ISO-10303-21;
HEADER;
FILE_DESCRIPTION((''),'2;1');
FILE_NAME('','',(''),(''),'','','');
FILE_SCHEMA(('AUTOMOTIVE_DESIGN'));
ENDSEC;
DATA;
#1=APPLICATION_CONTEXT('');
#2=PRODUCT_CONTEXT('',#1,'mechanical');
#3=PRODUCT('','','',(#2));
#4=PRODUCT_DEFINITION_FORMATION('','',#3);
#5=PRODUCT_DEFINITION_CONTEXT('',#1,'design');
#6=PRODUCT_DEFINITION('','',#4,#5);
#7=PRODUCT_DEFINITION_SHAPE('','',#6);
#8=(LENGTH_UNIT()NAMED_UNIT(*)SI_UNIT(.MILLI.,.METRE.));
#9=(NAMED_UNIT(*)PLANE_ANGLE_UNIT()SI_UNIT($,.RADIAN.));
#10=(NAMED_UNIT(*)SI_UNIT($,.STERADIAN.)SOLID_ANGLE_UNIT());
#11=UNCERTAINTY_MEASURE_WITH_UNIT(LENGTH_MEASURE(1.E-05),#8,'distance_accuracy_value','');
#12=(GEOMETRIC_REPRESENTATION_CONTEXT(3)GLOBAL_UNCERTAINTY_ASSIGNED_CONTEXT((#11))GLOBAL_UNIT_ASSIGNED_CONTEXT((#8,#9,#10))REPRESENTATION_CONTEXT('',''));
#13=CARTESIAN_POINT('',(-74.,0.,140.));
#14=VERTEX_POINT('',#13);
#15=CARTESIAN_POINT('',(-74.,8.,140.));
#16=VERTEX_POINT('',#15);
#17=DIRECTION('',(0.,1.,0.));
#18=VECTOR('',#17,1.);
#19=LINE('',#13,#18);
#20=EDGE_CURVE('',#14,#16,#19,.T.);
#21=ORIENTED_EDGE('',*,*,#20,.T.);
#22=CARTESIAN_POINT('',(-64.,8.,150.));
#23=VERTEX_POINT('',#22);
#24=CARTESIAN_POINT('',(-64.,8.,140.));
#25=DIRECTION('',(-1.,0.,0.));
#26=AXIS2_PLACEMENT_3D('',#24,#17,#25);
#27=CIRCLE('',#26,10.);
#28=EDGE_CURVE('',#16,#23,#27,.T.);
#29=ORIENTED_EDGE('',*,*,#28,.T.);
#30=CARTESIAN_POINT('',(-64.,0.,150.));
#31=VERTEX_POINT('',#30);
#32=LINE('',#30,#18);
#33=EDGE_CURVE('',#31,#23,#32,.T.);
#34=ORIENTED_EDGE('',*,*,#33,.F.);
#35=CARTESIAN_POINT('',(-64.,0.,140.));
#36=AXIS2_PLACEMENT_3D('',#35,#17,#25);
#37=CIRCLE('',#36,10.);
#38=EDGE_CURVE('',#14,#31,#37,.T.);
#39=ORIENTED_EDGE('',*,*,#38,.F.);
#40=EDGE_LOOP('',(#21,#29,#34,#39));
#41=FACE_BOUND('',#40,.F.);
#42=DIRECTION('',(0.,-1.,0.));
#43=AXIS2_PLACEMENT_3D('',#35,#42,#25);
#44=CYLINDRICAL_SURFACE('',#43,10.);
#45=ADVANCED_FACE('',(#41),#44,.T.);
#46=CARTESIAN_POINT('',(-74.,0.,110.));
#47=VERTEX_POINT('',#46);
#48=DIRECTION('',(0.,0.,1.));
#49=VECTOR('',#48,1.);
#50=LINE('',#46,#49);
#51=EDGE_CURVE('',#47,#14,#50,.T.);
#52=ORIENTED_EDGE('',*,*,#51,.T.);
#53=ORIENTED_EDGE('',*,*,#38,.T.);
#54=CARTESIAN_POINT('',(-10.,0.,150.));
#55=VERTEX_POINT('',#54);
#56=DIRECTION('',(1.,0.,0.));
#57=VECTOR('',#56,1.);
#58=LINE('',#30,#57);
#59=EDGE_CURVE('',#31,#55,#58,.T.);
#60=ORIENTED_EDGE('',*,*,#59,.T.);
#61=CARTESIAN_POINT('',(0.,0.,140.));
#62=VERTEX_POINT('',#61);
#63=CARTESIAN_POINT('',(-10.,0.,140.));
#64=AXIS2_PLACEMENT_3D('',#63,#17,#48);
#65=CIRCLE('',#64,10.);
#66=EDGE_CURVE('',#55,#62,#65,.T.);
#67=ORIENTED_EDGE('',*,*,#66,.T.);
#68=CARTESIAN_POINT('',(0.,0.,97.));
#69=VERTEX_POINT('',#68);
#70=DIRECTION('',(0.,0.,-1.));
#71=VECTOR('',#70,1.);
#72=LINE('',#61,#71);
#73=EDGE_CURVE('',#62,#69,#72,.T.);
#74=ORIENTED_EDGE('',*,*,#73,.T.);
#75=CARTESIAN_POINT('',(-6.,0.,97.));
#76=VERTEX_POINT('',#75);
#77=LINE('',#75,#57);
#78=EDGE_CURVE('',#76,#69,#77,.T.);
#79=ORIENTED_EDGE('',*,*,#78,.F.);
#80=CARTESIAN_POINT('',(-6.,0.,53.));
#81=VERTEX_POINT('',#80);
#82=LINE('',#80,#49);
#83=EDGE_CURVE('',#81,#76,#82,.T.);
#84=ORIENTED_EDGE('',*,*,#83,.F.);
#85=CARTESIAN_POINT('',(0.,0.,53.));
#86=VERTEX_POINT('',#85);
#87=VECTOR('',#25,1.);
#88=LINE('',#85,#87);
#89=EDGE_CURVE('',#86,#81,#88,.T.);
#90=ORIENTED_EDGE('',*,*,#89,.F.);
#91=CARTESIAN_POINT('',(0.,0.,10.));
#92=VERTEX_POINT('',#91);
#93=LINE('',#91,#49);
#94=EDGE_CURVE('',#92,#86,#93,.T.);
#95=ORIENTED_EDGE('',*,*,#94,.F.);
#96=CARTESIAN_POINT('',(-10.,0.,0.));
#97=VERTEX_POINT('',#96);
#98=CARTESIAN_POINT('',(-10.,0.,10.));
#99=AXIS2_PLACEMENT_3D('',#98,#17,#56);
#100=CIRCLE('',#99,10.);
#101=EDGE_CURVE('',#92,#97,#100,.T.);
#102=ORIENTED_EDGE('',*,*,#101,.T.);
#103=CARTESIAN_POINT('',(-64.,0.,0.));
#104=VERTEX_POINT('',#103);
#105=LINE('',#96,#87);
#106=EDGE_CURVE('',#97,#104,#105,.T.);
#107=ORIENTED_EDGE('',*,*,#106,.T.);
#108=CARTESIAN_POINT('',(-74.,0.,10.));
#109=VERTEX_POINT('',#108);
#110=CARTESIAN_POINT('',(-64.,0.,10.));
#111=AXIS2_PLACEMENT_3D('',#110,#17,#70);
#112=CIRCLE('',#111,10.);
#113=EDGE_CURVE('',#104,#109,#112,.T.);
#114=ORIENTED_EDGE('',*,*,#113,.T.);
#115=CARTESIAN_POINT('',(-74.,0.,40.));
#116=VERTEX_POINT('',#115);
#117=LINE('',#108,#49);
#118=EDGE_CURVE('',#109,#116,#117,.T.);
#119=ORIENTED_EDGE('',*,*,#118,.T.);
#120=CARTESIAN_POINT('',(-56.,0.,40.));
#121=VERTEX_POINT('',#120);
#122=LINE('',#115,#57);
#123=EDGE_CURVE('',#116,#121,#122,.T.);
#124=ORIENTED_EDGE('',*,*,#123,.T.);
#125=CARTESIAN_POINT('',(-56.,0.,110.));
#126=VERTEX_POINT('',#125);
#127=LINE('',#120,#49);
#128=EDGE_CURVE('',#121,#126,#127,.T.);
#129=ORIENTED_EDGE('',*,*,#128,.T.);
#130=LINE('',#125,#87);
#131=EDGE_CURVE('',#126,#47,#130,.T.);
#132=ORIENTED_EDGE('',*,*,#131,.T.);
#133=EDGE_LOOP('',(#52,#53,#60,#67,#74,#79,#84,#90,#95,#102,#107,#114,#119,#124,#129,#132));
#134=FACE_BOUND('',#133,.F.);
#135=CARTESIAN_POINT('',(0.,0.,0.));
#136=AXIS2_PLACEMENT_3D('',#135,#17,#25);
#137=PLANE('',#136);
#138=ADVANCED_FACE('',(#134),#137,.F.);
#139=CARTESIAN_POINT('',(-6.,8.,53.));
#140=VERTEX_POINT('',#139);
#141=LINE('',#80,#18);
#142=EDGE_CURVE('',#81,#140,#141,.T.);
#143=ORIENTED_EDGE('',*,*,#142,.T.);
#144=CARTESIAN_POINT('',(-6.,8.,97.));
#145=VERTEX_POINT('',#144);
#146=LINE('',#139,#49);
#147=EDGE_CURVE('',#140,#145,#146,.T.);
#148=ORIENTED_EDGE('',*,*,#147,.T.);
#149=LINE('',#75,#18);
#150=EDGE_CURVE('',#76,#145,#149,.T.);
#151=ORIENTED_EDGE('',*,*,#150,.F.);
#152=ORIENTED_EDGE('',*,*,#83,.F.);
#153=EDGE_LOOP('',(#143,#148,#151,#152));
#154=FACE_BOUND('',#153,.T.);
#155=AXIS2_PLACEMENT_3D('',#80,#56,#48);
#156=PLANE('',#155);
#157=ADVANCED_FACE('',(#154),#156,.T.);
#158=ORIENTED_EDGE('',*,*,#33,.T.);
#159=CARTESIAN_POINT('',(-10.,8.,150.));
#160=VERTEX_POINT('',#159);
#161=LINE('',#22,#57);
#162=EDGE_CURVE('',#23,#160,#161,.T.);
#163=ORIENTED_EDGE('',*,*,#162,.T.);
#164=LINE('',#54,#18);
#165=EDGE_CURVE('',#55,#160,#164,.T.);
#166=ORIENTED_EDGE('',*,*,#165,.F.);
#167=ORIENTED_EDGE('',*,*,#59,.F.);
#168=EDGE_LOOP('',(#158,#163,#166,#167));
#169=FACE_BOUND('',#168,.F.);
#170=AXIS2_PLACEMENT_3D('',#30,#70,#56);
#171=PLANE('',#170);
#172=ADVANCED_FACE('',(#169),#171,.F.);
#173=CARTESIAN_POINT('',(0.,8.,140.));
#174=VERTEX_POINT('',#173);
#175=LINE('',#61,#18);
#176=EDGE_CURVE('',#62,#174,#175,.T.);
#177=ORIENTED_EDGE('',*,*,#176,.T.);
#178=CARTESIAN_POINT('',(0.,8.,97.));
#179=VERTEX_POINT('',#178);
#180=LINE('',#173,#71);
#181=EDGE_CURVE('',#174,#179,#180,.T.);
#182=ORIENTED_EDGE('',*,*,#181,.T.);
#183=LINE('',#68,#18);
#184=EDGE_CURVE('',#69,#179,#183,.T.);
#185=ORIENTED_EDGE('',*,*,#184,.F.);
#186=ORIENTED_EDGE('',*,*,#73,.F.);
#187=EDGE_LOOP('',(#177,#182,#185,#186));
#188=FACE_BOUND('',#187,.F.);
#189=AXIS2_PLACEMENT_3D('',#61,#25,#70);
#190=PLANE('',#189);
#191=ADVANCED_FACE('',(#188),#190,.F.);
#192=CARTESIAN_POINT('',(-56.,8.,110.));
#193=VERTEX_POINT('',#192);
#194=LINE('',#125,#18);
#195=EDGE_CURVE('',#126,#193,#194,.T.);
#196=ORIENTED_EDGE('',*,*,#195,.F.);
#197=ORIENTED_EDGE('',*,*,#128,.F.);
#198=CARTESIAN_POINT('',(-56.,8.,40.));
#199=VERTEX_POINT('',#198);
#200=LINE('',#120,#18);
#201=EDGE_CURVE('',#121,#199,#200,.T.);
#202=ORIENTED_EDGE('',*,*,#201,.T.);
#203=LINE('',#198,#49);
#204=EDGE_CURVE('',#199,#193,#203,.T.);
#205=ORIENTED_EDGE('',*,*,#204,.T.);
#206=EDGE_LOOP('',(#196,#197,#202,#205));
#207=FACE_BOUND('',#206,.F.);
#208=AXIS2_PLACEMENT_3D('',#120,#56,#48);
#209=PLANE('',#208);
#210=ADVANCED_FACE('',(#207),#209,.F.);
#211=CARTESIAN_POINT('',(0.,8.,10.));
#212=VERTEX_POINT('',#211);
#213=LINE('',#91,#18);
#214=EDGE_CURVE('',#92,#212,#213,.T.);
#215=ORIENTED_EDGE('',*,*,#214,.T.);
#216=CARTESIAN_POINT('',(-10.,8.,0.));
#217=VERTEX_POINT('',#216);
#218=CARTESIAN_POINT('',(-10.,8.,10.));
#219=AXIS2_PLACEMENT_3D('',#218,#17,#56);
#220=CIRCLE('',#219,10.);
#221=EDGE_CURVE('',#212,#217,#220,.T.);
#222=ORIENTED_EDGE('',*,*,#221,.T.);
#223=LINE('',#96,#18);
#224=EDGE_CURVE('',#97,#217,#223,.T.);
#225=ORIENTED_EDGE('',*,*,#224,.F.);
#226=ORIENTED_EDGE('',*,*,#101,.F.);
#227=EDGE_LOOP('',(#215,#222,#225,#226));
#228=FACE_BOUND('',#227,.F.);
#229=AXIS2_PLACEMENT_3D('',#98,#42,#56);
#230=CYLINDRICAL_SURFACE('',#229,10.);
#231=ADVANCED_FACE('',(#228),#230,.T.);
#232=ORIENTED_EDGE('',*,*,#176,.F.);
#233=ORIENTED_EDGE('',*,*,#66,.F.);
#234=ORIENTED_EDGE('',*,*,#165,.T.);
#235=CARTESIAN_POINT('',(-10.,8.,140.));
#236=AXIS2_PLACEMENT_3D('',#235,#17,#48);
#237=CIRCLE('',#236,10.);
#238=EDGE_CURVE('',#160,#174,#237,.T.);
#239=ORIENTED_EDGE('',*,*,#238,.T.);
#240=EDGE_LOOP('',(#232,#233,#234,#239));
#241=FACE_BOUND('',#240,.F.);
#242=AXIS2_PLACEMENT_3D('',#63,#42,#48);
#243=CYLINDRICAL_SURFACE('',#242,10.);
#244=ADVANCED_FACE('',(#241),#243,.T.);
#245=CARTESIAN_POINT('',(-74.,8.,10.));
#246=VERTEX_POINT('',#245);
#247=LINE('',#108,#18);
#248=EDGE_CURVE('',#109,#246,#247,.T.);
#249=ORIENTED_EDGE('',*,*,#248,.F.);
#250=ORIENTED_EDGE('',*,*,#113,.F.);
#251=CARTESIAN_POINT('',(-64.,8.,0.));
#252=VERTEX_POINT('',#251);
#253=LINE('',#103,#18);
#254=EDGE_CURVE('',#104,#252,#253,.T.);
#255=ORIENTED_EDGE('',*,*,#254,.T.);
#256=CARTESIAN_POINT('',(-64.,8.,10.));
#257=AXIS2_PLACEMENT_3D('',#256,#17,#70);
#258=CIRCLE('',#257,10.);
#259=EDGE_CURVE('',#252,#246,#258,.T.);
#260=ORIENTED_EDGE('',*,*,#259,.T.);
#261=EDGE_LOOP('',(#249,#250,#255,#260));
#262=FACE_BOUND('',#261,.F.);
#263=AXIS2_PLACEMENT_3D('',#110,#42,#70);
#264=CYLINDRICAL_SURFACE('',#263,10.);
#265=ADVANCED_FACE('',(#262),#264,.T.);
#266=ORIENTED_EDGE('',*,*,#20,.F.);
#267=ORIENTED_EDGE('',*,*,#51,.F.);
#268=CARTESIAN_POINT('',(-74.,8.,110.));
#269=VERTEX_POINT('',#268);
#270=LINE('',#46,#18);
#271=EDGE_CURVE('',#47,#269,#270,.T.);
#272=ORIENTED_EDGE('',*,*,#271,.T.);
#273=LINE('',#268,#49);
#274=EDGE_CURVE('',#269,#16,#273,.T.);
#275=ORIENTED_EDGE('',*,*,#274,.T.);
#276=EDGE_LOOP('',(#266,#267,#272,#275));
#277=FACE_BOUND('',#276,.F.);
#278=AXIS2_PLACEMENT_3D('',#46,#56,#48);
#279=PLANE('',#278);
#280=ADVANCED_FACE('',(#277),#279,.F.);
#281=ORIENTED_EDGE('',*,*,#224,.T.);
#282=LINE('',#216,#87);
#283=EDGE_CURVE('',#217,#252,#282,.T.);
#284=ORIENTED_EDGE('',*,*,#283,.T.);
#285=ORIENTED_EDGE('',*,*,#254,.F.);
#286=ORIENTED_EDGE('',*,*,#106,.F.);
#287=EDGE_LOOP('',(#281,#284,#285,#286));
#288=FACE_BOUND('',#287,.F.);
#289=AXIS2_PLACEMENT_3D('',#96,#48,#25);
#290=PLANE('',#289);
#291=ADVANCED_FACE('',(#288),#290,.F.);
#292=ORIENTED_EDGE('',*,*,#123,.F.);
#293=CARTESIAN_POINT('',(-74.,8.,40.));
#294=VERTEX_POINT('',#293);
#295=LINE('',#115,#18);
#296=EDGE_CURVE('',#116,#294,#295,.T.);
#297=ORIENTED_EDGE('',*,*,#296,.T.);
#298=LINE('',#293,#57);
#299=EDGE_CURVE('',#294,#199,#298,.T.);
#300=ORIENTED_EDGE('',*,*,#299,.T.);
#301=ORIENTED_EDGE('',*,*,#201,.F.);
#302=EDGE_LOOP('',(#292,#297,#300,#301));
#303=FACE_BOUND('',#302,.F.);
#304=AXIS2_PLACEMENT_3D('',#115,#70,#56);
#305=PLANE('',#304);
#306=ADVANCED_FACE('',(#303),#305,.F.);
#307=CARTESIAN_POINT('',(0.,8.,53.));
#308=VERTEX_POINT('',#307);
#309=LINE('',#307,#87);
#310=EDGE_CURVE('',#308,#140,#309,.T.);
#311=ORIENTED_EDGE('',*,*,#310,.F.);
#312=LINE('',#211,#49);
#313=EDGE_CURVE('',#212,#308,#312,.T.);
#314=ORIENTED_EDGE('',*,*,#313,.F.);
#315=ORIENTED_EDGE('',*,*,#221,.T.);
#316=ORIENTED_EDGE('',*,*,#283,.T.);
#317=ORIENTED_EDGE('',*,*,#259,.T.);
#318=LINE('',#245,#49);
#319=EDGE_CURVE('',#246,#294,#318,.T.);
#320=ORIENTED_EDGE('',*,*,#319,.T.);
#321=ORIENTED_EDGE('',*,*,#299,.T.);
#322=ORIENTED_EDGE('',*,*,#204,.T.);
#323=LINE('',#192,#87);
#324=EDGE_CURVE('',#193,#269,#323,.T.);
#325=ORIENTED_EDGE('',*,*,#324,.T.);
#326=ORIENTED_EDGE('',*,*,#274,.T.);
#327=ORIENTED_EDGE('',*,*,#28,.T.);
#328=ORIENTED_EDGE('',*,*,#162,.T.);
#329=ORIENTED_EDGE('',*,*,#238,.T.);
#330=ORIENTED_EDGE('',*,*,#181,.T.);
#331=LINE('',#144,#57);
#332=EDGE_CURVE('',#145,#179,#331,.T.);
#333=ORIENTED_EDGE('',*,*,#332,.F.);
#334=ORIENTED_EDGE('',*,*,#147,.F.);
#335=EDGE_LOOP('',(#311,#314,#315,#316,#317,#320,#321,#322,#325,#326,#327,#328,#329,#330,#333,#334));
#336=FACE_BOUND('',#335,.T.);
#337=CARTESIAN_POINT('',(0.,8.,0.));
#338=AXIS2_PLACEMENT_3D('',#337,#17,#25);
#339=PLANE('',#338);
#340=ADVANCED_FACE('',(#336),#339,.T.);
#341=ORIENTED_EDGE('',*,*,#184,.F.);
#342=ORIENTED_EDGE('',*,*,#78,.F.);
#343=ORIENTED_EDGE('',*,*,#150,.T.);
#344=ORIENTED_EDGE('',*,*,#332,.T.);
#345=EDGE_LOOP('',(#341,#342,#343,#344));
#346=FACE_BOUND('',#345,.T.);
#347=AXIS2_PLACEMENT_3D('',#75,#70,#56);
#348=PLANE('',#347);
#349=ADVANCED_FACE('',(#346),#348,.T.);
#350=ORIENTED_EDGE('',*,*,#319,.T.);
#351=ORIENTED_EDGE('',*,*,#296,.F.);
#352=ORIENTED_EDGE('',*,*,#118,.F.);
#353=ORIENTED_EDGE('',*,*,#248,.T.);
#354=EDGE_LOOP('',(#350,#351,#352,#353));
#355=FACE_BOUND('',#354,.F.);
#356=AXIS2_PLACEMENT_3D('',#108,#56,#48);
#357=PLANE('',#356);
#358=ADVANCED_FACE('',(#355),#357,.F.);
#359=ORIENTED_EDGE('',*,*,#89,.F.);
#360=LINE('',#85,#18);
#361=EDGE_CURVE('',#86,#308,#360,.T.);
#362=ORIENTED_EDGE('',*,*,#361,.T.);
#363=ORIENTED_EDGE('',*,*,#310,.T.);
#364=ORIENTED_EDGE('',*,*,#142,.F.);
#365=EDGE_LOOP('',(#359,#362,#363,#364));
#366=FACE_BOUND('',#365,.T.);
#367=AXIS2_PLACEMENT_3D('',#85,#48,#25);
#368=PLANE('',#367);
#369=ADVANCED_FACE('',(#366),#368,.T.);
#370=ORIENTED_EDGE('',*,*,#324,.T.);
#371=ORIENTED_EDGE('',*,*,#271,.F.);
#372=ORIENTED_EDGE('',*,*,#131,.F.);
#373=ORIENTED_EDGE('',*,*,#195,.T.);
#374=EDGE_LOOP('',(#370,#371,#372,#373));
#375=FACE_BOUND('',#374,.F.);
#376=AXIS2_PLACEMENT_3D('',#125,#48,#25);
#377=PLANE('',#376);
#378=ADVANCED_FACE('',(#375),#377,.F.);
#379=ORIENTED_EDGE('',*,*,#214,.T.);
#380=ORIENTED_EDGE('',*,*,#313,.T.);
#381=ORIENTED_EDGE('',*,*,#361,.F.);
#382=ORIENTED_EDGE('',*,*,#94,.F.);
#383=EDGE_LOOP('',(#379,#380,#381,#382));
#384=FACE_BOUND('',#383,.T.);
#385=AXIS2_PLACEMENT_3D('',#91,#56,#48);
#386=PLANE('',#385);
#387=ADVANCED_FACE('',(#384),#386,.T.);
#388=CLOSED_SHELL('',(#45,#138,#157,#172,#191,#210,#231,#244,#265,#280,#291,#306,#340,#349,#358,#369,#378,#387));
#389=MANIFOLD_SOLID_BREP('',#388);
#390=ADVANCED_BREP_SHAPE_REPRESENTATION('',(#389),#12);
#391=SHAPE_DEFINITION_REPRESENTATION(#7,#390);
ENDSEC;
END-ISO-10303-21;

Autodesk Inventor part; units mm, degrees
ref_plane "YZ Plane" through (0, 0, 0) normal (1, 0, 0) x (0, 1, 0)
ref_plane "XZ Plane" through (0, 0, 0) normal (0, 1, 0) x (-1, 0, 0)
ref_plane "XY Plane" through (0, 0, 0) normal (0, 0, 1) x (1, 0, 0)
sketch "Sketch1" plane through (0, 0, 0) normal (0, 1, 0) x (-1, 0, 0)
  line L0 (10, 0) -> (64, 0)
  line L1 (64, 150) -> (10, 150)
  line L2 (0, 10) -> (0, 53)
  line L3 (0, 53) -> (6, 53)
  line L4 (6, 53) -> (6, 97)
  line L5 (6, 97) -> (0, 97)
  line L6 (74, 10) -> (74, 40)
  line L7 (74, 40) -> (56, 40)
  line L8 (56, 40) -> (56, 110)
  line L9 (56, 110) -> (74, 110)
  line L10 (74, 0) -> (74, 40)
  line L11 (74, 110) -> (74, 140)
  line L12 (0, 140) -> (0, 97)
  line L13 (0, 53) -> (0, 0)
  arc A0 (74, 140) -> (64, 150) centre (64, 140) ccw
  arc A1 (10, 150) -> (0, 140) centre (10, 140) ccw
  arc A2 (0, 10) -> (10, 0) centre (10, 10) ccw
  arc A3 (64, 0) -> (74, 10) centre (64, 10) ccw
  point P0 (74, 150)
  point P1 (0, 150)
  dimension "d0" = 74
  dimension "d1" = 150
  dimension "d2" = 53
  dimension "d3" = 6
  dimension "d4" = 44
  dimension "d5" = 40
  dimension "d6" = 18
  dimension "d7" = 70
  dimension "d8" = 10
extrude "Extrusion1" add sketch "Sketch1" along normal blind 8
properties part number "Base"
